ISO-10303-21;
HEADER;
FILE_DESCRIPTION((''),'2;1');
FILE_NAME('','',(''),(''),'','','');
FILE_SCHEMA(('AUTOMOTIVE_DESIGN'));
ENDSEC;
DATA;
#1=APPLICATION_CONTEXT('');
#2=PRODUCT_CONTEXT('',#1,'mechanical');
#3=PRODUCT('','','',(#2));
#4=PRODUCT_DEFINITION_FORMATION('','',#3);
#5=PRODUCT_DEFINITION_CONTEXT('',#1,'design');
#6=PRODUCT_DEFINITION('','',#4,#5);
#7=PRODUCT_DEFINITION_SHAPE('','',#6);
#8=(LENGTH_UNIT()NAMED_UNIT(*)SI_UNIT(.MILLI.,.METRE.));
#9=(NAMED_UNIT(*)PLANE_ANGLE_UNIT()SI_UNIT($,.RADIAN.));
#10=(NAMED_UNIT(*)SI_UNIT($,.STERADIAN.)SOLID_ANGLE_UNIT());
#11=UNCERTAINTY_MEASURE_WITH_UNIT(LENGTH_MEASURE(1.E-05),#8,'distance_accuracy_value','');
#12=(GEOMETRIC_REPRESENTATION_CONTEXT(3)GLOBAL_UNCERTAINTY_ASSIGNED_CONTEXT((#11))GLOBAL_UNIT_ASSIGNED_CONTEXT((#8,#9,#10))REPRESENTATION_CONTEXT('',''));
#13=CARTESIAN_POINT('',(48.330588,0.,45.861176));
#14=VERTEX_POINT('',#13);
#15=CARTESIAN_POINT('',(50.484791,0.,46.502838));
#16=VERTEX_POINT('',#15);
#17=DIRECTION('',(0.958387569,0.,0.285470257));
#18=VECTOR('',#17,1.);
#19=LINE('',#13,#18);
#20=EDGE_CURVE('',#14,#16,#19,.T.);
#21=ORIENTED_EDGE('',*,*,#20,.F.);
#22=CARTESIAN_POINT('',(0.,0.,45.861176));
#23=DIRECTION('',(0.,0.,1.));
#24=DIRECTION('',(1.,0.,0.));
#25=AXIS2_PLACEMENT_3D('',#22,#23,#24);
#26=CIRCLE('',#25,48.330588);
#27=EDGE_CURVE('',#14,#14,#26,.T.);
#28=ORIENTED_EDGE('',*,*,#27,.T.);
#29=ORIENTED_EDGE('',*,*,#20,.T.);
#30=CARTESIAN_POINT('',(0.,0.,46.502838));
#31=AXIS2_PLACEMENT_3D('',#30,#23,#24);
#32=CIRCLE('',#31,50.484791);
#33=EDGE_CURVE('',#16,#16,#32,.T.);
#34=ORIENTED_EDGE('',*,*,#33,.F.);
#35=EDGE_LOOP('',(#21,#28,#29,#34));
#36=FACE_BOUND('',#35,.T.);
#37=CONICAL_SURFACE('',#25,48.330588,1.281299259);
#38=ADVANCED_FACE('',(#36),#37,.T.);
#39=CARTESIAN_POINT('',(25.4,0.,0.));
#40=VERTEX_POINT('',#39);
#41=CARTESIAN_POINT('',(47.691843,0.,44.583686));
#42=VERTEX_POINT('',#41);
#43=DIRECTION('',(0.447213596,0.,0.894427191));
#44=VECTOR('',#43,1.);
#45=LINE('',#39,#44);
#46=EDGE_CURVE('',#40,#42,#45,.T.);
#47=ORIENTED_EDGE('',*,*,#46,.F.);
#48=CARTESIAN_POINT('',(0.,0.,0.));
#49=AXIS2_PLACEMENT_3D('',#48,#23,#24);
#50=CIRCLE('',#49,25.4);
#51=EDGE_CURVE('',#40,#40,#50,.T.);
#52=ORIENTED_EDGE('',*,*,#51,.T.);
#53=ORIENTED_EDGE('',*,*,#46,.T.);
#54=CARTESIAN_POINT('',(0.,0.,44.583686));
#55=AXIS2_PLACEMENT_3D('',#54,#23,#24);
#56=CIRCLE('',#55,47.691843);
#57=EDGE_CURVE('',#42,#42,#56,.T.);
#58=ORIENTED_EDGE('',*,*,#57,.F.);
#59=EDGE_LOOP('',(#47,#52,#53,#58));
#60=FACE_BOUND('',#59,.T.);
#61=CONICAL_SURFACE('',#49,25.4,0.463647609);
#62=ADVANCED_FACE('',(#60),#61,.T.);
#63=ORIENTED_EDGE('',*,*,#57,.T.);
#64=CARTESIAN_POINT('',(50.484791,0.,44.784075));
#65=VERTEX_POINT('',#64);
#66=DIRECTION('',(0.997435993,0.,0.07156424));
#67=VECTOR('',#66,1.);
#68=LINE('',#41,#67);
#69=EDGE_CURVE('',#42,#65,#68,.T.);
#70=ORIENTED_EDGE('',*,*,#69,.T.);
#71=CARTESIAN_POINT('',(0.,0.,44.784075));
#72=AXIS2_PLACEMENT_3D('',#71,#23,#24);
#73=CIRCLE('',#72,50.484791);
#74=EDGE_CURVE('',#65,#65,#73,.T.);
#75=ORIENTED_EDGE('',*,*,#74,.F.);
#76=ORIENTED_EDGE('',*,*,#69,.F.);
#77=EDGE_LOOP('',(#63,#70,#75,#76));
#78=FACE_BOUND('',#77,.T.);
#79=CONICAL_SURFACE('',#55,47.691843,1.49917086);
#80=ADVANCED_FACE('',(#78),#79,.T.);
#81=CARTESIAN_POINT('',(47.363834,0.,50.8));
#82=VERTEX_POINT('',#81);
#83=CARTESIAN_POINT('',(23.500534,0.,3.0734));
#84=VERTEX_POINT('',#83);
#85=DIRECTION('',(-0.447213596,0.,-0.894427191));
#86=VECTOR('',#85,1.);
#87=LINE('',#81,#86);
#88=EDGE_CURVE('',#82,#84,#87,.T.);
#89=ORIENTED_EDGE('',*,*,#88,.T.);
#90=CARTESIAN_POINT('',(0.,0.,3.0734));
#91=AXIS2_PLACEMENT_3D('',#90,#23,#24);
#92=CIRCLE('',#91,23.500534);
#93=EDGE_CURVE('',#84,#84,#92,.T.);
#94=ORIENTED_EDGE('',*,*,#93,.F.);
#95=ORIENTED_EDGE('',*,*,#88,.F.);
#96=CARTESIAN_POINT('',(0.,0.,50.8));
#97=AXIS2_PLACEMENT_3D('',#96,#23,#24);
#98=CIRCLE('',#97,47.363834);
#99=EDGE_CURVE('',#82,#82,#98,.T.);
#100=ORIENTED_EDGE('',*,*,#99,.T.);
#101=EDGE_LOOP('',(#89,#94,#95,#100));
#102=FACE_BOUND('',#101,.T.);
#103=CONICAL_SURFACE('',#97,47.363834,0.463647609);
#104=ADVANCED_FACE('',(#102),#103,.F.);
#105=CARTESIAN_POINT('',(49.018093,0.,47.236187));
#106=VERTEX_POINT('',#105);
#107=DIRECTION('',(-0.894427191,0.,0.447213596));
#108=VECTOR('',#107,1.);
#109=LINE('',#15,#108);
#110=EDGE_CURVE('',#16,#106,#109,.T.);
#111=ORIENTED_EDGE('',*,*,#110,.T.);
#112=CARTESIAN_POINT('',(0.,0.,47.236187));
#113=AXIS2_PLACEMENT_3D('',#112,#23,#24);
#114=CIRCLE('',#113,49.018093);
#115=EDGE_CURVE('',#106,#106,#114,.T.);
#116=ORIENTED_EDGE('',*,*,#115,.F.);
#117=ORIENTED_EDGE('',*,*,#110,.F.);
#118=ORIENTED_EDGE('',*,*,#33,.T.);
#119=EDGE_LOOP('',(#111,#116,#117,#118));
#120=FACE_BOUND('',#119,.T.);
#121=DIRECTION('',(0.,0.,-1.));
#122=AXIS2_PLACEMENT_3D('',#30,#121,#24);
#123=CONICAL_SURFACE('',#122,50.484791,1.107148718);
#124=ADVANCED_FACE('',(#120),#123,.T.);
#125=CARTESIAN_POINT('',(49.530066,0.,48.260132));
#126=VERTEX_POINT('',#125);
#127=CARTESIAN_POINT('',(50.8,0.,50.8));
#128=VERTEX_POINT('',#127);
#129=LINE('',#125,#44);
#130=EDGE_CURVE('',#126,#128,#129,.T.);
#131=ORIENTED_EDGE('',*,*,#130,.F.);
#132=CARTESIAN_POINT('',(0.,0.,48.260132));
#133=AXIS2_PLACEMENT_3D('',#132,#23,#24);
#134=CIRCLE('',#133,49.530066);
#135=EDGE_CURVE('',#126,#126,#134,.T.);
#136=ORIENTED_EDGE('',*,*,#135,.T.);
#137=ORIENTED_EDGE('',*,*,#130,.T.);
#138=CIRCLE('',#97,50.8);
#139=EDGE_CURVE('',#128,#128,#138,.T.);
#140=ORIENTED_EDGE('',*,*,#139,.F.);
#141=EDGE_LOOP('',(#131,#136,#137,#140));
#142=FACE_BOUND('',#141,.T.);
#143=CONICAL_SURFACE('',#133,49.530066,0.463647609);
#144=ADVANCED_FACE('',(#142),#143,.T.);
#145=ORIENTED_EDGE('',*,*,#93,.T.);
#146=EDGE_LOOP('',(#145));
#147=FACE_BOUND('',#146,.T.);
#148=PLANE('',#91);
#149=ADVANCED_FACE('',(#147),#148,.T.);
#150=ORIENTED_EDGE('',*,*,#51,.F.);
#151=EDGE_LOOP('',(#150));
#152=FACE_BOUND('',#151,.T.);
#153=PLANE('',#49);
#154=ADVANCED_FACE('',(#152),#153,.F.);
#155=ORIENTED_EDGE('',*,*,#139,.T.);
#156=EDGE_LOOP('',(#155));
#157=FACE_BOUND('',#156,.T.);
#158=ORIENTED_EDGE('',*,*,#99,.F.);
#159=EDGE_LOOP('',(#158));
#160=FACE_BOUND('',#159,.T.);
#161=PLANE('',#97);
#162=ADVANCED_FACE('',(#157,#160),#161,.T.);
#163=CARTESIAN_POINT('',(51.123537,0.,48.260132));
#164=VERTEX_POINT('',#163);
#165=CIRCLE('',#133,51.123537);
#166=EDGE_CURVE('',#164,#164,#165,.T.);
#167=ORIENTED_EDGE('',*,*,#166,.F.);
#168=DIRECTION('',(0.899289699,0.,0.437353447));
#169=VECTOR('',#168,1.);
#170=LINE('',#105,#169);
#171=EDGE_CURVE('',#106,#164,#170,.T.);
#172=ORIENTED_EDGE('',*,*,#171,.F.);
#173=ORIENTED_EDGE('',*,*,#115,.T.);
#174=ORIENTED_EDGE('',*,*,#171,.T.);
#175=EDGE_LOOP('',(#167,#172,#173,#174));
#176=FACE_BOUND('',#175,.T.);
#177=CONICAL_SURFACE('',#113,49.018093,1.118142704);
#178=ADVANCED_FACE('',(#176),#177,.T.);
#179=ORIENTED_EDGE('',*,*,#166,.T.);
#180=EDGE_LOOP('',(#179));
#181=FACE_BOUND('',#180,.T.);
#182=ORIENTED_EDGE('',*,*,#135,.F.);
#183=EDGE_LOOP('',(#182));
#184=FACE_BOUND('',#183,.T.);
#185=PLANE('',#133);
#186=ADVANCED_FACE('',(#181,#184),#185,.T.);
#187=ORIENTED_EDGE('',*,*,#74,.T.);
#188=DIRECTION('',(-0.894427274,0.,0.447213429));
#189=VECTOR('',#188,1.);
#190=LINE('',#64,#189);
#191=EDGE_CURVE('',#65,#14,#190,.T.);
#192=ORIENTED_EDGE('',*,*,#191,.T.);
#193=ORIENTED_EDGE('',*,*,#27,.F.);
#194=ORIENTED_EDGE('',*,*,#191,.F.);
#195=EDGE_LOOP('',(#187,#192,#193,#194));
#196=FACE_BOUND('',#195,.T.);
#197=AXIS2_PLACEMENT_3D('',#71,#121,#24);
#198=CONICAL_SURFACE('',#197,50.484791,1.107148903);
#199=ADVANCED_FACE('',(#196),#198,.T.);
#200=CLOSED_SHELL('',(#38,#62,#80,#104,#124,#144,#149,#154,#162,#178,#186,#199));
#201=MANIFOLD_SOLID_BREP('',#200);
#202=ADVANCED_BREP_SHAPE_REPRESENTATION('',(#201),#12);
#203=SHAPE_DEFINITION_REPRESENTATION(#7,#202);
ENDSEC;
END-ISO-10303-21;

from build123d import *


with BuildPart() as f1:
    # F0 (on Front) → F1 (revolve)
    with BuildSketch(Plane.XZ):
        Polygon((0, 3.0734), (0, 0), (25.4, 0), (47.691843, 44.583686), (48.330588, 45.861176), (49.018093, 47.236187), (49.530066, 48.260132), (50.8, 50.8), (47.363834, 50.8), (23.500534, 3.0734), align=None)
        Polygon((48.330588, 45.861176), (47.691843, 44.583686), (50.484791, 44.784075), align=None)
        Polygon((49.018093, 47.236187), (48.330588, 45.861176), (50.484791, 46.502838), align=None)
        Polygon((49.530066, 48.260132), (49.018093, 47.236187), (51.123537, 48.260132), align=None)
    revolve(axis=Axis((0, 0, 25.4), (0, 0, 1)))


solid = f1.part
